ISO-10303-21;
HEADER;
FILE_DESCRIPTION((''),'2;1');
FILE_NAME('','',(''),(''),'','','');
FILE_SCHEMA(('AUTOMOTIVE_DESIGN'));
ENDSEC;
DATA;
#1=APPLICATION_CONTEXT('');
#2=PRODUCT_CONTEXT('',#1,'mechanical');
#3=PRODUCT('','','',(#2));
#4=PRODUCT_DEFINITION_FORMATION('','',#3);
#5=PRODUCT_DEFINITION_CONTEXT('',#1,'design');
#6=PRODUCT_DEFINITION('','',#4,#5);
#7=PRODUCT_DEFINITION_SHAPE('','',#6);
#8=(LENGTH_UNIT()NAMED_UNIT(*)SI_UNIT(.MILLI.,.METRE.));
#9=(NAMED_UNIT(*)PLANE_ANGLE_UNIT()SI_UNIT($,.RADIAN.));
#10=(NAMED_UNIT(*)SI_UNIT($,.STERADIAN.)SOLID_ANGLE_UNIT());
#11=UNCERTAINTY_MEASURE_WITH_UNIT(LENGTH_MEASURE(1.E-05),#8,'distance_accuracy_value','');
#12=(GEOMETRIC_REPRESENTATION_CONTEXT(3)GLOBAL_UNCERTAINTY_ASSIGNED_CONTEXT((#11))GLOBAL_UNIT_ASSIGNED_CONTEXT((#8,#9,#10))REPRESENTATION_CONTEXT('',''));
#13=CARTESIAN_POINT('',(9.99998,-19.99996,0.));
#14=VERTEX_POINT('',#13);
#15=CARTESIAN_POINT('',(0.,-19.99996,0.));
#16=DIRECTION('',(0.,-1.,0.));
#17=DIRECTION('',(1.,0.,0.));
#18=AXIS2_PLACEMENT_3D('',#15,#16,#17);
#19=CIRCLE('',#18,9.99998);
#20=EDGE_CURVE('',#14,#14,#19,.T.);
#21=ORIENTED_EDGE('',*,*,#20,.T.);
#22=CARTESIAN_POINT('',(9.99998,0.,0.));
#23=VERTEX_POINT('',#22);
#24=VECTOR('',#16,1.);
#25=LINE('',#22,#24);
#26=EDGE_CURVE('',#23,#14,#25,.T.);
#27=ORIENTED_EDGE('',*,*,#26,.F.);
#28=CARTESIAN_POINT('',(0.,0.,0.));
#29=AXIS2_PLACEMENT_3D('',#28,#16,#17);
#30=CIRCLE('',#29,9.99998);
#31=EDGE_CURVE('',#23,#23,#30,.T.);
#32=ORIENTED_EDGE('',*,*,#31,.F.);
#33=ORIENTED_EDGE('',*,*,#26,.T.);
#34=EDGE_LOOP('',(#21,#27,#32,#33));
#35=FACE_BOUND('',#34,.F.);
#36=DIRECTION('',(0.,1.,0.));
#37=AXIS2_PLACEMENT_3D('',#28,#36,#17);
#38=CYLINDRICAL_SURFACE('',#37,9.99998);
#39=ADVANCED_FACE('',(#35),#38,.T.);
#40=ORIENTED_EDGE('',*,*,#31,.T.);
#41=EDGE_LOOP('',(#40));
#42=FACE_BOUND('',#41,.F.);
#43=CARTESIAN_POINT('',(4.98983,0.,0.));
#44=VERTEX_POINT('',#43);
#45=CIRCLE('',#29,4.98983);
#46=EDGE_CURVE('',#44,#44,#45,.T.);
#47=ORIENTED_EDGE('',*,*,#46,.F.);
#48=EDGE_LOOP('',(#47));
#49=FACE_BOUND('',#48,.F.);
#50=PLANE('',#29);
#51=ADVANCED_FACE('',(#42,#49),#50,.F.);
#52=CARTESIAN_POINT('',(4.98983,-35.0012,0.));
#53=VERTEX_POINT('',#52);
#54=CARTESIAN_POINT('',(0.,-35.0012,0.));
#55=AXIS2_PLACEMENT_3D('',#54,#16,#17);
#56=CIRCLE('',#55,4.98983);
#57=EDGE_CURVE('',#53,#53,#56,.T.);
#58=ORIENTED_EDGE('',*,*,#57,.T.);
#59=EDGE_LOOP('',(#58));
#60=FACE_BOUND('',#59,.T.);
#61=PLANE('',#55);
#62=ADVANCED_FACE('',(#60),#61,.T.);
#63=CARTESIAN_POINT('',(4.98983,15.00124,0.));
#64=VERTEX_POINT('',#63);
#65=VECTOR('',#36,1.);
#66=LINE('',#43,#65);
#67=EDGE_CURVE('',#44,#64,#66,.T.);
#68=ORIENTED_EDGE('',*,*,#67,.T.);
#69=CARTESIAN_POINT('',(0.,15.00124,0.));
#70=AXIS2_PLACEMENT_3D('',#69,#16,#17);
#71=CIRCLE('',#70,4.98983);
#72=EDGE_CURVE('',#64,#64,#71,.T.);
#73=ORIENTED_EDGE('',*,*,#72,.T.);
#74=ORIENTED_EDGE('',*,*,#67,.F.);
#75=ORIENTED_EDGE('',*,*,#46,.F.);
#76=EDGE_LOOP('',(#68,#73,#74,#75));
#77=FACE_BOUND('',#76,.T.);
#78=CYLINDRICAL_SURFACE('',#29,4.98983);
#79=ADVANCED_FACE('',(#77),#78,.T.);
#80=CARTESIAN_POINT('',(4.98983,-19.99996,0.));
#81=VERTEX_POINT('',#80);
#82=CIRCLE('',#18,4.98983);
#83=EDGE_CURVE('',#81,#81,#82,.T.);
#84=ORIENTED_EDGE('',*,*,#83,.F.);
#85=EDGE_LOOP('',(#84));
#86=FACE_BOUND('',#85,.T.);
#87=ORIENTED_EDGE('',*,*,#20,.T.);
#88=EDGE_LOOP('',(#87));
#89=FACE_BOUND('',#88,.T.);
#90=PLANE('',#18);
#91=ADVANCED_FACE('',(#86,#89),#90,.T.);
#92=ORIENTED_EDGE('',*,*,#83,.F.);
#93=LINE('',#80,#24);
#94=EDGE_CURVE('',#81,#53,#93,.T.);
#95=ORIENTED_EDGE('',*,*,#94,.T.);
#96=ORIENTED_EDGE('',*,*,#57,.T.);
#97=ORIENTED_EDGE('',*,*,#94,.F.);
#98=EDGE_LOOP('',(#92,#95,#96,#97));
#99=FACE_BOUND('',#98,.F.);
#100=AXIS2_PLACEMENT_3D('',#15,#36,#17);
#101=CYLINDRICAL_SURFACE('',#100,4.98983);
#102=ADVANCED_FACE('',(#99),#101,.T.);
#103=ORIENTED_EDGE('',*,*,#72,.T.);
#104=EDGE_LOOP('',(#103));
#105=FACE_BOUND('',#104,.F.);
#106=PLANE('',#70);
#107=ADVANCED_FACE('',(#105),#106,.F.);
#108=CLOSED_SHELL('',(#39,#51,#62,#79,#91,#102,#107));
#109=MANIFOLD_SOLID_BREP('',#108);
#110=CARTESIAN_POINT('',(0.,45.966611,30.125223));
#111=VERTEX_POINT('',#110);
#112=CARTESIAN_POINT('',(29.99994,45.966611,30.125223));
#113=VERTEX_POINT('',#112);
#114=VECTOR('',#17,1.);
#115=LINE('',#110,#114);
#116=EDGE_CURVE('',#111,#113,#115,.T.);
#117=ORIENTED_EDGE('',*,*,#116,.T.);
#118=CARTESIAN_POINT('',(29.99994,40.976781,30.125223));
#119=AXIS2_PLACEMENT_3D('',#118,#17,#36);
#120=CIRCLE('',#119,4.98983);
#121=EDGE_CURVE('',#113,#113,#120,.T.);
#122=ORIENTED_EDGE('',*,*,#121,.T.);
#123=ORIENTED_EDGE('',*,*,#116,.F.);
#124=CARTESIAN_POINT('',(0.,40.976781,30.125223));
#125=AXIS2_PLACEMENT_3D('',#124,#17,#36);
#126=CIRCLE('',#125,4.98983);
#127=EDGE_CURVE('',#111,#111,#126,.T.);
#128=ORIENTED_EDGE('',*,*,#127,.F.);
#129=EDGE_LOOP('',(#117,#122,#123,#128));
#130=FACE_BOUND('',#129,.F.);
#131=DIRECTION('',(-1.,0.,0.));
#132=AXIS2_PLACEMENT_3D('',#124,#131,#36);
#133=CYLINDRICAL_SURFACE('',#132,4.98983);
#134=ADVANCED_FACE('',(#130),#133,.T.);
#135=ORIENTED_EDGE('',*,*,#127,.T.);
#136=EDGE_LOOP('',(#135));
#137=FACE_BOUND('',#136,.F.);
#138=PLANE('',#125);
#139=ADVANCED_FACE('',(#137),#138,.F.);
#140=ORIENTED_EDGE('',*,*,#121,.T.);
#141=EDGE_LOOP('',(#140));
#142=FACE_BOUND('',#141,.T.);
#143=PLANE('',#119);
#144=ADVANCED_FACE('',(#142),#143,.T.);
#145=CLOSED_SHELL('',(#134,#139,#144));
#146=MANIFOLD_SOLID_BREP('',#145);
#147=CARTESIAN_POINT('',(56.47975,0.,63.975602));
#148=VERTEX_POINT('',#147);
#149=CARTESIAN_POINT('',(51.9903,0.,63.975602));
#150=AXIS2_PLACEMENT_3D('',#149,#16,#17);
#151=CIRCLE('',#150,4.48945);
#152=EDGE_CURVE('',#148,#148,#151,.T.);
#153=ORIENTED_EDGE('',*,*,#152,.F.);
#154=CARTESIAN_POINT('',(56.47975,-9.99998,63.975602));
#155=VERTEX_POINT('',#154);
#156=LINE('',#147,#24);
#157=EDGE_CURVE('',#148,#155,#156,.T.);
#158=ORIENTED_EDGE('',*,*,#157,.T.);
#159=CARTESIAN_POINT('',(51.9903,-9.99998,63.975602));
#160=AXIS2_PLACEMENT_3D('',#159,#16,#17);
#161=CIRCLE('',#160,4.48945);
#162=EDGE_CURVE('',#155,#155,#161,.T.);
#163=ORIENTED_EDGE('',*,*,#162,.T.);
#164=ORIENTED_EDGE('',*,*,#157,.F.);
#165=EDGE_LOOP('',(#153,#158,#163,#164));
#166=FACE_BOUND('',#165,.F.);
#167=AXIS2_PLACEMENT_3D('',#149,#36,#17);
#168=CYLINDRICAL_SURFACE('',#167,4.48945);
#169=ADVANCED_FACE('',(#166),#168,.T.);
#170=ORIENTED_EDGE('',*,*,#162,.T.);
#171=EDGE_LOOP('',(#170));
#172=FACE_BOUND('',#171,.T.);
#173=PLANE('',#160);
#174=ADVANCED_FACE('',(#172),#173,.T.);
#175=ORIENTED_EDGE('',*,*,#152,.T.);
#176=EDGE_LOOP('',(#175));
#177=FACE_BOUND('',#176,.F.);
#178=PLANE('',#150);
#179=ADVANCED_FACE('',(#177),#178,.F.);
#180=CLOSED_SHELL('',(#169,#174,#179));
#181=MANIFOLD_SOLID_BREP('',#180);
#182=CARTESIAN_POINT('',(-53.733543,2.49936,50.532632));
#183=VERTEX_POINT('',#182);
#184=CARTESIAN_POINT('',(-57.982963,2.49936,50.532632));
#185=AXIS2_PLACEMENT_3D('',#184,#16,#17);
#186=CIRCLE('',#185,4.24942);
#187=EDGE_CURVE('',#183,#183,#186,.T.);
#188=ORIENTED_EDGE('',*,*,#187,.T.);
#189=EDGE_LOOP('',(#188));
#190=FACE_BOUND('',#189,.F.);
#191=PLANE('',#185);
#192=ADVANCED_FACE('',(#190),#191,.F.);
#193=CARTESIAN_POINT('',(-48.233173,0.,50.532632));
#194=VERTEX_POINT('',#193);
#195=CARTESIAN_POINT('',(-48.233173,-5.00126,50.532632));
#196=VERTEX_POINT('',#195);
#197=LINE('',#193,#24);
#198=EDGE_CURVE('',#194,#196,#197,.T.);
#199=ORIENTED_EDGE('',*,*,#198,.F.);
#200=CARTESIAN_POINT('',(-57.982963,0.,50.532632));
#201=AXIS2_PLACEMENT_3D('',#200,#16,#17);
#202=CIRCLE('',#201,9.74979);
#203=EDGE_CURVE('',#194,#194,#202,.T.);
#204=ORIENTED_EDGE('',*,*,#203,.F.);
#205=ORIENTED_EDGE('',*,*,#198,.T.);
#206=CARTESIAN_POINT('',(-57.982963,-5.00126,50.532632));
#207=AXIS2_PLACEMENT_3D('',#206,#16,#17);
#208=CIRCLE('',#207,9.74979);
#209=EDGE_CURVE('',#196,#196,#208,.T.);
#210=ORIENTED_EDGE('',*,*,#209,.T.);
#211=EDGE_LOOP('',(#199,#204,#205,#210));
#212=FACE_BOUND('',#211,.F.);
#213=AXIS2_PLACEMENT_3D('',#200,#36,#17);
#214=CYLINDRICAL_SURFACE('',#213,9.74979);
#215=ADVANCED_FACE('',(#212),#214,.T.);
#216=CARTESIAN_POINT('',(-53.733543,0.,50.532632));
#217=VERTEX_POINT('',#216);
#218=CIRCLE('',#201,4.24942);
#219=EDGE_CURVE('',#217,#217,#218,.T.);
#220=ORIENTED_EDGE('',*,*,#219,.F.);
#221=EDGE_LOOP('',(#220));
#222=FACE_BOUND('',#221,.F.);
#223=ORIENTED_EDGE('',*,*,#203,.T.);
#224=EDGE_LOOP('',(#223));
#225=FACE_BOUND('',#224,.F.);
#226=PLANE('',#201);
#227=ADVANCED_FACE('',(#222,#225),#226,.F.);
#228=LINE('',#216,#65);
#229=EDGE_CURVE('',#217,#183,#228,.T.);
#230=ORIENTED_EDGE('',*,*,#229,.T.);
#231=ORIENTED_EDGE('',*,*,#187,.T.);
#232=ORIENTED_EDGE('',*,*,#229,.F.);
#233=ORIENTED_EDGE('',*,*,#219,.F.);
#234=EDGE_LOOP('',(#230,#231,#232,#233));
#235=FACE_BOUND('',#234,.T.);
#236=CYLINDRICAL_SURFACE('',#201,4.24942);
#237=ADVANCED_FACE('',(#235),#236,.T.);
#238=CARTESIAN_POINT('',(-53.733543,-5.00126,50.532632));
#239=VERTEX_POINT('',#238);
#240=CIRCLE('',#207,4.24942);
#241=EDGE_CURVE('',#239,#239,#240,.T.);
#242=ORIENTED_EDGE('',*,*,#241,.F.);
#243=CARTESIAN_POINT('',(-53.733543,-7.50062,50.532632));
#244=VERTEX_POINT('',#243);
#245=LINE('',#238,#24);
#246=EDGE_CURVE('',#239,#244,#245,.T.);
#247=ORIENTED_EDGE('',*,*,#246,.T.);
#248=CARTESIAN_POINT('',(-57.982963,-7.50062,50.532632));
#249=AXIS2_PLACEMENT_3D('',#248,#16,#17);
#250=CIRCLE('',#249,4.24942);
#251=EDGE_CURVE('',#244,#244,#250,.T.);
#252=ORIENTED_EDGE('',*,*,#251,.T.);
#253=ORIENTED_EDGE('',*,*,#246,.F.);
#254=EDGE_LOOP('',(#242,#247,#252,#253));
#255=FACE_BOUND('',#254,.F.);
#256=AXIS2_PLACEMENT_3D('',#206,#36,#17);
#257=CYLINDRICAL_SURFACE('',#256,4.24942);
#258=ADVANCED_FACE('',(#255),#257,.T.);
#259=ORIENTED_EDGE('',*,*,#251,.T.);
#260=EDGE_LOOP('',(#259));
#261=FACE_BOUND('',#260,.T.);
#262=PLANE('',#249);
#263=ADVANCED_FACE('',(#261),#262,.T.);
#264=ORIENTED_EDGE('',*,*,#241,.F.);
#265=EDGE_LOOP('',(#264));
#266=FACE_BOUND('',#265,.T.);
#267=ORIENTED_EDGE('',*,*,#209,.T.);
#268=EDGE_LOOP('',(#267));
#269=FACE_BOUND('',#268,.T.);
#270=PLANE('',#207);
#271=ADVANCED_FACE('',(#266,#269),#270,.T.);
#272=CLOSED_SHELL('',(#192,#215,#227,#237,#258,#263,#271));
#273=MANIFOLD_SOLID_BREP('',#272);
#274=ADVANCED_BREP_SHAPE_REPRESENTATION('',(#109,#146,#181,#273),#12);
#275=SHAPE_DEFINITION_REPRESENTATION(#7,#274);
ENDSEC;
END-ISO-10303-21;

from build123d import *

# Parameters (mm, degrees)
F0_R      = 9.99998
F0_R_2    = 4.98983
F1_DEPTH  = 19.99996
F2_DEPTH  = 15.00124
F3_R      = 4.98983
F4_DEPTH  = 15.00124
F0_R_3    = 4.48945
F5_DEPTH  = 9.99998
F0_R_4    = 9.74979
F0_R_5    = 4.24942
F6_DEPTH  = 5.00126
F7_DEPTH  = 2.49936
F8_R      = 4.24942
F9_DEPTH  = 2.49936
F10_R     = 4.98983
F11_DEPTH = 29.99994


with BuildPart() as f1:
    # F0 (on Front) → F1 (new body)
    with BuildSketch(Plane.XZ):
        Circle(F0_R)
        Circle(F0_R_2, mode=Mode.SUBTRACT)
        Circle(F0_R_2)
    extrude(amount=F1_DEPTH)

    # F0 (on Front) → F2 (join)
    with BuildSketch(Plane.XZ):
        Circle(F0_R_2)
    extrude(amount=-F2_DEPTH)

    # F3 (on face) → F4 (join)
    with BuildSketch(Plane.XZ.offset(19.99996)):
        Circle(F3_R)
    extrude(amount=F4_DEPTH)


with BuildPart() as f5:
    # F0 (on Front) → F5 (new body)
    with BuildSketch(Plane.XZ):
        with Locations((51.9903, 63.975602)):
            Circle(F0_R_3)
    extrude(amount=F5_DEPTH)


with BuildPart() as f6:
    # F0 (on Front) → F6 (new body)
    with BuildSketch(Plane.XZ):
        with Locations((-57.982963, 50.532632)):
            Circle(F0_R_4)
        with Locations((-57.982963, 50.532632)):
            Circle(F0_R_5, mode=Mode.SUBTRACT)
        with Locations((-57.982963, 50.532632)):
            Circle(F0_R_5)
    extrude(amount=F6_DEPTH)

    # F0 (on Front) → F7 (join)
    with BuildSketch(Plane.XZ):
        with Locations((-57.982963, 50.532632)):
            Circle(F0_R_5)
    extrude(amount=-F7_DEPTH)

    # F8 (on face) → F9 (join)
    with BuildSketch(Plane.XZ.offset(5.00126)):
        with Locations((-57.982963, 50.532632)):
            Circle(F8_R)
    extrude(amount=F9_DEPTH)


with BuildPart() as f11:
    # F10 (on Right) → F11 (new body)
    with BuildSketch(Plane.YZ):
        with Locations((40.976781, 30.125223)):
            Circle(F10_R)
    extrude(amount=F11_DEPTH)


solid = Compound([f1.part, f5.part, f6.part, f11.part])
